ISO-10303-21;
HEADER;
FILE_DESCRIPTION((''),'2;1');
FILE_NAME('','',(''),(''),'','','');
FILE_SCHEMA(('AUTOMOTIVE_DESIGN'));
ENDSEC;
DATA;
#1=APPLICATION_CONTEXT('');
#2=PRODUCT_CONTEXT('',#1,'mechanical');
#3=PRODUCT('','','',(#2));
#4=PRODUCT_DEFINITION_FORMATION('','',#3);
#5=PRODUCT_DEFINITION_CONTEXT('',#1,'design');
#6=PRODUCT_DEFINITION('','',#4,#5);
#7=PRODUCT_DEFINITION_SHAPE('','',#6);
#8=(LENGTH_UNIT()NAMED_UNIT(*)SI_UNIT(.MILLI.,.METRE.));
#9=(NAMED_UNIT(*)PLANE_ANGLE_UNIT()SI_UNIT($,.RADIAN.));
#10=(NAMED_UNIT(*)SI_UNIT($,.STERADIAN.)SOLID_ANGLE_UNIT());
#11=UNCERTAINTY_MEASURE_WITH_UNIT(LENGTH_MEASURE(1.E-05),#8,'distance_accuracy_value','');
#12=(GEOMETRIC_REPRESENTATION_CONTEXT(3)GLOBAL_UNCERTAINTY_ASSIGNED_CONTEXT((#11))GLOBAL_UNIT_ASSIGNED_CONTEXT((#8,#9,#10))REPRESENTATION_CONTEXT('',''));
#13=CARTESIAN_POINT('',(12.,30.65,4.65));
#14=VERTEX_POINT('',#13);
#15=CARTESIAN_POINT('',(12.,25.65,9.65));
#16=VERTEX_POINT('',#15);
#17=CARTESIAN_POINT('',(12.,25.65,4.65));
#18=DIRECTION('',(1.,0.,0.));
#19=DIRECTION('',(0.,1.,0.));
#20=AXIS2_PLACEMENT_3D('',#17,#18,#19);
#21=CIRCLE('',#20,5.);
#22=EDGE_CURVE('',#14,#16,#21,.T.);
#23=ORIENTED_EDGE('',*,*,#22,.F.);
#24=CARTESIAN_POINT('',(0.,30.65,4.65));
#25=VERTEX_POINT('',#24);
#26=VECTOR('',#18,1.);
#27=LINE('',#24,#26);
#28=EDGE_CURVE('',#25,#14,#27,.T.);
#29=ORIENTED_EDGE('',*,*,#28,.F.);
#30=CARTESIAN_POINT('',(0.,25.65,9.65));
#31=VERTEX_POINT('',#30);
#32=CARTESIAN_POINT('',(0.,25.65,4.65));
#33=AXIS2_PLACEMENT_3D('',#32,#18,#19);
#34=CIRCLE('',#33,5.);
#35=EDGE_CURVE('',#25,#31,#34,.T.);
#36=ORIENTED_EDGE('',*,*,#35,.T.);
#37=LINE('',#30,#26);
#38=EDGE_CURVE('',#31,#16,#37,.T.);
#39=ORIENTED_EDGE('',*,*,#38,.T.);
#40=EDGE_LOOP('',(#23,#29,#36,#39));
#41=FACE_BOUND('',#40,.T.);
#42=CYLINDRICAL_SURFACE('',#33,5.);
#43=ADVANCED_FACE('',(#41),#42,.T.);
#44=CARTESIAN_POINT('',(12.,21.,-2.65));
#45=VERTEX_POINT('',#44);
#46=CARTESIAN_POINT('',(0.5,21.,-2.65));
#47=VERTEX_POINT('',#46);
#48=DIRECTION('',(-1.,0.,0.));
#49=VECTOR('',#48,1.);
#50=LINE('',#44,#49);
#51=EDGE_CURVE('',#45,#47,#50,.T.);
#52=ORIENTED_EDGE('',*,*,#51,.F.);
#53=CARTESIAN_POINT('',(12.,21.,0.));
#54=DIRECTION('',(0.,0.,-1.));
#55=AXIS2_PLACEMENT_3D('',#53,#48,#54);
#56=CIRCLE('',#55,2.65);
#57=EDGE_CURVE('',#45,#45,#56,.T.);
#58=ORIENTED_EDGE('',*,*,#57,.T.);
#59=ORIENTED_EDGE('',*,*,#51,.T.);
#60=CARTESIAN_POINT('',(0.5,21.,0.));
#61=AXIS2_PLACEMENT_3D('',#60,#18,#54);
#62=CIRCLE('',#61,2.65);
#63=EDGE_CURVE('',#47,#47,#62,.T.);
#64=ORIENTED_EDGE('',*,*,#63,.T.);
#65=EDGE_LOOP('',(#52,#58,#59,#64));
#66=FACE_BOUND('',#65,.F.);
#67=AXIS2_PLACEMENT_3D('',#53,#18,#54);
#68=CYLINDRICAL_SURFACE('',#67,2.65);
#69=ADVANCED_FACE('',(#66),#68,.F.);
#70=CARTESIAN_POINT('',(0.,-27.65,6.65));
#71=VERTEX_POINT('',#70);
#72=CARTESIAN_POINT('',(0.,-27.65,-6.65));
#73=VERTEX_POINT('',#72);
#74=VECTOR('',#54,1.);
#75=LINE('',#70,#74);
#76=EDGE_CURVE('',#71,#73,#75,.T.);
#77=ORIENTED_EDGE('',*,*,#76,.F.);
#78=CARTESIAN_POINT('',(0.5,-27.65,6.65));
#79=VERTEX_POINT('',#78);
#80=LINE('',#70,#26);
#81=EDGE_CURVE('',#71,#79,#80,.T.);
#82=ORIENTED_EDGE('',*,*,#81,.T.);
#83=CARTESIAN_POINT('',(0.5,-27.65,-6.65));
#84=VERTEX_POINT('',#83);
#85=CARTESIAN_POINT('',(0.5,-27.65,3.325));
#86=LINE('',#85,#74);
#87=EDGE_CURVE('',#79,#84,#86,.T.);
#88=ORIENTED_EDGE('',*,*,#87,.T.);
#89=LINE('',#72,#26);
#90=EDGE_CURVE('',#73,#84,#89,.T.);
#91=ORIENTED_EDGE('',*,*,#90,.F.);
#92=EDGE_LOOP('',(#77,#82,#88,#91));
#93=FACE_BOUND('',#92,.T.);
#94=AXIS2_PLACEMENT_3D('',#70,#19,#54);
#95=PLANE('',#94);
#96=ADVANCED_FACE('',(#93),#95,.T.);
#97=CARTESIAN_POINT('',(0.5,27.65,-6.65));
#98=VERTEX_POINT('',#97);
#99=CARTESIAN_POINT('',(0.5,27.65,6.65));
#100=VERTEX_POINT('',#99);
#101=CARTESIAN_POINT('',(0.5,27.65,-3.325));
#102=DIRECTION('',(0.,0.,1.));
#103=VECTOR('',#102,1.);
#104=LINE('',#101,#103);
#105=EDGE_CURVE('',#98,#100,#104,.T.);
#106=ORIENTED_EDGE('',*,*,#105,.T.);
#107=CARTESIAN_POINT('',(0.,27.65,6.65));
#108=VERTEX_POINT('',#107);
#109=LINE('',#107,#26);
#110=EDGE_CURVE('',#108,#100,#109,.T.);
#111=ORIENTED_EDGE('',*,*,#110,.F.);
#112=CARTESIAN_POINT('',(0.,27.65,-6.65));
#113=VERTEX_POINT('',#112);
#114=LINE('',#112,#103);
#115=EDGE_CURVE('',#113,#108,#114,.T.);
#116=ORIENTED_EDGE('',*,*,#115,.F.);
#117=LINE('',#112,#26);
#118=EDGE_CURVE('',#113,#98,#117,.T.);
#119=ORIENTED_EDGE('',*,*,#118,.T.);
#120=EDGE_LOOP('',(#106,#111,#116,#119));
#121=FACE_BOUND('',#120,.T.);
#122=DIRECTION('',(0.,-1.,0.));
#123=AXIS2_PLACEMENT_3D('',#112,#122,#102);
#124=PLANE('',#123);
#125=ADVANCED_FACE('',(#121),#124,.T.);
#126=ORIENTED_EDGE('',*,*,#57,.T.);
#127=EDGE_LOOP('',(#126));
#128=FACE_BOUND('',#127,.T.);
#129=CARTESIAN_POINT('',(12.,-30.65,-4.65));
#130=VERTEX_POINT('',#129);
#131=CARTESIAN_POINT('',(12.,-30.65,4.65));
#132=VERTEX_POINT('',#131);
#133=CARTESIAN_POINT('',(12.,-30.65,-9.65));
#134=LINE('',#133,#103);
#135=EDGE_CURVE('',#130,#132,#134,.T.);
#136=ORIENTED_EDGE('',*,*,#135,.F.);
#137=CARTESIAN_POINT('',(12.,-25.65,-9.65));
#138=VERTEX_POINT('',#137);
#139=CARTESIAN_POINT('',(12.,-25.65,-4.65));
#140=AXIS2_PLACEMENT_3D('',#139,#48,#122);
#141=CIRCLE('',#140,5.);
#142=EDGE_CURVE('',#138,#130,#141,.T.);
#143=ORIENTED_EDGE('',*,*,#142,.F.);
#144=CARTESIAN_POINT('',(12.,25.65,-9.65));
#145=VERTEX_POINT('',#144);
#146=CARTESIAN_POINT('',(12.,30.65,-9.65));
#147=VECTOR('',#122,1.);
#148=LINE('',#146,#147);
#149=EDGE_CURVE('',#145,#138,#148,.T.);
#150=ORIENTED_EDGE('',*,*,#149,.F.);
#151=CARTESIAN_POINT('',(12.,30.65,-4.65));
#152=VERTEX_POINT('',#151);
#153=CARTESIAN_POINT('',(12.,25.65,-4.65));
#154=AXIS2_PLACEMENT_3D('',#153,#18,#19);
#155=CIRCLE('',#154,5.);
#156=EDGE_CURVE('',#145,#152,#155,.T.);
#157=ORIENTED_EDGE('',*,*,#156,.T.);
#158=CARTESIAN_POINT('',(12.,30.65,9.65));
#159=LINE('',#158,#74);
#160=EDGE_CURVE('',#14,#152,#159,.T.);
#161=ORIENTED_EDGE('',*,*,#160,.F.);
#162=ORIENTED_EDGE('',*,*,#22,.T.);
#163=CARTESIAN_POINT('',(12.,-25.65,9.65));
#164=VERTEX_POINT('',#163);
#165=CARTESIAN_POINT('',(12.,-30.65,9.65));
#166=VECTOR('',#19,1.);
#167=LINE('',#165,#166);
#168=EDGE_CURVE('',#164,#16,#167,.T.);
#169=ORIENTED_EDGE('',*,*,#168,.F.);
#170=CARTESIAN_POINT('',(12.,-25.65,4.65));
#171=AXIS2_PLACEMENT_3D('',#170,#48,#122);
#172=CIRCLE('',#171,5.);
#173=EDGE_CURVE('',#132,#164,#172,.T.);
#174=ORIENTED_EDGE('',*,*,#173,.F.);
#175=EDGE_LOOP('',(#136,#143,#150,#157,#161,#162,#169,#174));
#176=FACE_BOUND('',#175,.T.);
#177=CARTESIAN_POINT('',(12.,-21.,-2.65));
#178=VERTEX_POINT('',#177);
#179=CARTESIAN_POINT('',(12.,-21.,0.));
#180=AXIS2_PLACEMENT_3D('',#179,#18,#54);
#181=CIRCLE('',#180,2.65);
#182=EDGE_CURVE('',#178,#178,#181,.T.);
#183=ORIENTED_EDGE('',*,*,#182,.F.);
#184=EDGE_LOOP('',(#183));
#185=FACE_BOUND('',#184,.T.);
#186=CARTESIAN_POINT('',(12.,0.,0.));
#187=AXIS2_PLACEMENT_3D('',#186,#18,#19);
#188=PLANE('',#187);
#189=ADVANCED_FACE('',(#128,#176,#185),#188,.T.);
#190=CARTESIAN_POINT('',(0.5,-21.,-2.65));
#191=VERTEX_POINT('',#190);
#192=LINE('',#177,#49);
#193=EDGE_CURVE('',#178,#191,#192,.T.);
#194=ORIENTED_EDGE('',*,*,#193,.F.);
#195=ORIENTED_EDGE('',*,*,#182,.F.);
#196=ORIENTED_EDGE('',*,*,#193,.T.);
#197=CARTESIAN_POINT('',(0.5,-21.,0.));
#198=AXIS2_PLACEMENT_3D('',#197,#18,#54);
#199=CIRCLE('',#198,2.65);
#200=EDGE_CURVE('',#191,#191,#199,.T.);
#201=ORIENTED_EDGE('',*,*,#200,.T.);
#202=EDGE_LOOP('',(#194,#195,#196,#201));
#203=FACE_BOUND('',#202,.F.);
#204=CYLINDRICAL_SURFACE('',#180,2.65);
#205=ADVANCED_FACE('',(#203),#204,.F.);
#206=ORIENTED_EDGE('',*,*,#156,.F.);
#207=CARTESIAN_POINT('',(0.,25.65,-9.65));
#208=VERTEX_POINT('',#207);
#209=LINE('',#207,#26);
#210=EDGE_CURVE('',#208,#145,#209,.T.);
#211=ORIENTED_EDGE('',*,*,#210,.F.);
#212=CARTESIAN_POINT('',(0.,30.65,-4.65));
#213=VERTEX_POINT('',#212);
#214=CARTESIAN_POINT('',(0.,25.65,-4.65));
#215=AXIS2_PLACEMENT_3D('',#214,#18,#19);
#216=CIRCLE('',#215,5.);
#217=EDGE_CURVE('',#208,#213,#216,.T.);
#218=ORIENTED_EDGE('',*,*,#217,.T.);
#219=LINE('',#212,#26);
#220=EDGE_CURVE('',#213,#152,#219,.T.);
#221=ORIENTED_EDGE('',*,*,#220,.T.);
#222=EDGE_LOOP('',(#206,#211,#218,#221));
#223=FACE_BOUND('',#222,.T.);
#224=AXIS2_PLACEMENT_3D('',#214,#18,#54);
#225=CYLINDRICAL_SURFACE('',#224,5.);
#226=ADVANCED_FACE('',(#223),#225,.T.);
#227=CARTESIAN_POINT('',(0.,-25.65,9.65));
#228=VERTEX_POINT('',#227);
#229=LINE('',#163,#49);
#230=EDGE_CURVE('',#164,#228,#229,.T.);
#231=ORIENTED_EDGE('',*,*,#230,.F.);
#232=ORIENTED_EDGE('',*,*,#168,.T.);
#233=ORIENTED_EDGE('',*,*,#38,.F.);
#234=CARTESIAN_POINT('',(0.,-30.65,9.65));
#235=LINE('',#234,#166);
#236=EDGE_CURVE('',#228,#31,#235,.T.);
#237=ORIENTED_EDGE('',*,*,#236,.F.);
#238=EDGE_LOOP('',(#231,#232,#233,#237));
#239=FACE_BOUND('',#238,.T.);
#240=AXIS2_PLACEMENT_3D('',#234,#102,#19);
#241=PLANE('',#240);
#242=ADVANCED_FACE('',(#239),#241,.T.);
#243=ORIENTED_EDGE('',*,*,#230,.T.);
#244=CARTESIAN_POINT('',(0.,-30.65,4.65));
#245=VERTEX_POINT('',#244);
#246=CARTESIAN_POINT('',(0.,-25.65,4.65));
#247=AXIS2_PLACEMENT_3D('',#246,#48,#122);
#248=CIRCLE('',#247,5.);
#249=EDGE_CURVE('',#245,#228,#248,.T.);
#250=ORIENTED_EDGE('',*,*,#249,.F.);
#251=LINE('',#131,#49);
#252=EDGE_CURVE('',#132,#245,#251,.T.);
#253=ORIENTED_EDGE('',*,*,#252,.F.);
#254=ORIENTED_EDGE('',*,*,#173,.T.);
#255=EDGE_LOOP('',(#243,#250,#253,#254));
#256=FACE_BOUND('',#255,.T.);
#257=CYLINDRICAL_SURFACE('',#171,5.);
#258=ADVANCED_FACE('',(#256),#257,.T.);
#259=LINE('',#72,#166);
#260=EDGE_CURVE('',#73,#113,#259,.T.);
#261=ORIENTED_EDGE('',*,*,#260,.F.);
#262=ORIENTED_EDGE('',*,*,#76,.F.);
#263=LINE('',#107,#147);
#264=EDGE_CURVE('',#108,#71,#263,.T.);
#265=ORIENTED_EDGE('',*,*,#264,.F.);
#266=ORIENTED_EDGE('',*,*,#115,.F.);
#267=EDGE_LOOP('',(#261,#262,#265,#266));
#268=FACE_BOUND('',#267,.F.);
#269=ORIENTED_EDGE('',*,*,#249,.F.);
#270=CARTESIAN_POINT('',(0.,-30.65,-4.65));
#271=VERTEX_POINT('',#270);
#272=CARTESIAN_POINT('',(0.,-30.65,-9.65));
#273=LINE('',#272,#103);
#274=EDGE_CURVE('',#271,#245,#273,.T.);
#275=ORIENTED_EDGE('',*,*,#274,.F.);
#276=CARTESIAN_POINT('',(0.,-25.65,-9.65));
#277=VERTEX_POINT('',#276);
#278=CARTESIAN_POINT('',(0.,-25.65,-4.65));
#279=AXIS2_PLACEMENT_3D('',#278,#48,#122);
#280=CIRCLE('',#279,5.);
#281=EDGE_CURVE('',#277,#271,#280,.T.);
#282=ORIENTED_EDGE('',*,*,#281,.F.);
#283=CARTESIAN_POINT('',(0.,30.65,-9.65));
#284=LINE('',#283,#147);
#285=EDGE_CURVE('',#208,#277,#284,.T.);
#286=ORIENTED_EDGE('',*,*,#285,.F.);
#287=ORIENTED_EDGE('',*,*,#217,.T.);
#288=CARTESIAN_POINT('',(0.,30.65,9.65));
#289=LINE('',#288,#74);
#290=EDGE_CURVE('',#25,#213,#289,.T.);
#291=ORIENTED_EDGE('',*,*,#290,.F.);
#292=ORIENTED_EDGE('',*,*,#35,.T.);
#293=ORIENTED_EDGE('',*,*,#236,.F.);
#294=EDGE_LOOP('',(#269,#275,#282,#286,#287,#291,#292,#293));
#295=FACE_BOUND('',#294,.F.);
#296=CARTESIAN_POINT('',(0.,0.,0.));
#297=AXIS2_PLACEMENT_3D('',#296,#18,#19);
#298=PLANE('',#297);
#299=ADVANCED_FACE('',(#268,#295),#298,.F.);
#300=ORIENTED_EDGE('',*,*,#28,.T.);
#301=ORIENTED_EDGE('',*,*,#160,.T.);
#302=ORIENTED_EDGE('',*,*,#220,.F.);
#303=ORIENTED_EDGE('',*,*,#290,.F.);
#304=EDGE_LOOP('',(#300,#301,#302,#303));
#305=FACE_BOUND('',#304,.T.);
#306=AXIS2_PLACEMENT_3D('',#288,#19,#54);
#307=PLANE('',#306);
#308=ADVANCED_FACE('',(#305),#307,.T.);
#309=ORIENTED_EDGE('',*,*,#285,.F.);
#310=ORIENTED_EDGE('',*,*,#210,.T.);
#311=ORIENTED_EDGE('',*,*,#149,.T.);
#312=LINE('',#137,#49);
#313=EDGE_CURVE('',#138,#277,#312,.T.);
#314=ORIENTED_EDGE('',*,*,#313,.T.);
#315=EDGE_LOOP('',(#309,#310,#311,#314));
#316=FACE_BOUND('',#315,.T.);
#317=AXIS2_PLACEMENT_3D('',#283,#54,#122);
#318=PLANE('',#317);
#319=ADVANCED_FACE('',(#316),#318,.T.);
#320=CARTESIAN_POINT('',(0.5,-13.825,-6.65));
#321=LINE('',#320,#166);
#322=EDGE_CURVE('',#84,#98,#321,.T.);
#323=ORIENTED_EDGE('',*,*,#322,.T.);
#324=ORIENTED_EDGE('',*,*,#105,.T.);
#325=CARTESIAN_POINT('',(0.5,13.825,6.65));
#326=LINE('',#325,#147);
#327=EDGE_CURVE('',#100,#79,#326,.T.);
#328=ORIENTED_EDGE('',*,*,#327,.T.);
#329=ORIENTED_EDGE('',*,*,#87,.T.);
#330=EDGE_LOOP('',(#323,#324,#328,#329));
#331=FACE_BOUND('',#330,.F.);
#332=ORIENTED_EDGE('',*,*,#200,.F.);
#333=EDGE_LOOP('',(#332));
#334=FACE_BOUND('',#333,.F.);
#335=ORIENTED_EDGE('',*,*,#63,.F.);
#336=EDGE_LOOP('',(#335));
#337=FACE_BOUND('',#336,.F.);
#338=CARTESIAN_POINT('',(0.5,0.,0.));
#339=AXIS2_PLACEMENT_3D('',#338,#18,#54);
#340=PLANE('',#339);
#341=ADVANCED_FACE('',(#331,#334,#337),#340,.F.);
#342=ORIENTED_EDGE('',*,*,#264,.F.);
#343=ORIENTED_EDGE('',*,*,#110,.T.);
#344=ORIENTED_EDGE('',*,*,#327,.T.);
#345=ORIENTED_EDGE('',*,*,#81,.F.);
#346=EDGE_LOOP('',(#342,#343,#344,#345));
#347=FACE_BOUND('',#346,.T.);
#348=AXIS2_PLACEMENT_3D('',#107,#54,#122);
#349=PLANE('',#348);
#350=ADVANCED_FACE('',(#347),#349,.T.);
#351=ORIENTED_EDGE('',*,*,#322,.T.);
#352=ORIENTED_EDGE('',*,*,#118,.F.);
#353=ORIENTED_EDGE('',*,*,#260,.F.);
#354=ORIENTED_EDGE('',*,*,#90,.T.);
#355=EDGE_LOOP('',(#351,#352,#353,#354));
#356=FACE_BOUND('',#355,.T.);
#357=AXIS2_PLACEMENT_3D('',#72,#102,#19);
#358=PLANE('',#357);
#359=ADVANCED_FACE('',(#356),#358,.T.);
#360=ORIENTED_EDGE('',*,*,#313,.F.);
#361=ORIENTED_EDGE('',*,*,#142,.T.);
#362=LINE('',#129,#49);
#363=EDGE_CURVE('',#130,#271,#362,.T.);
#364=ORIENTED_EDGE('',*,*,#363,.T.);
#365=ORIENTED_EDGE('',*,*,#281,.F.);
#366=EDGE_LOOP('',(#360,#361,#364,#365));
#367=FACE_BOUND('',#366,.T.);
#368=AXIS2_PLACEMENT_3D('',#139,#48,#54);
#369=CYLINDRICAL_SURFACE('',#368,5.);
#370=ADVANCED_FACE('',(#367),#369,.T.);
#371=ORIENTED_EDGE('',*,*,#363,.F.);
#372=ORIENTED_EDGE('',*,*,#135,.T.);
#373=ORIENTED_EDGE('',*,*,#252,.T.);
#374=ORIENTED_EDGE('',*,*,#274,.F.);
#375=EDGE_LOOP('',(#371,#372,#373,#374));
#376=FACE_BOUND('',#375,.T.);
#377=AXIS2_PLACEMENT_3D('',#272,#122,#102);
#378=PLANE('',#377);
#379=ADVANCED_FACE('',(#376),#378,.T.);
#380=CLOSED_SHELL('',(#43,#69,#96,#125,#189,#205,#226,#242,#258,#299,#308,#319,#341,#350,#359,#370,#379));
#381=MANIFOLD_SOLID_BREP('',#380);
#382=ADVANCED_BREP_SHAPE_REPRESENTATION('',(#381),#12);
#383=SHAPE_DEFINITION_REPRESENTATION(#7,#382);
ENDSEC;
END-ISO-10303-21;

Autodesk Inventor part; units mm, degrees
ref_plane "YZ Plane" through (0, 0, 0) normal (1, 0, 0) x (0, 1, 0)
ref_plane "XZ Plane" through (0, 0, 0) normal (0, 1, 0) x (-1, 0, 0)
ref_plane "XY Plane" through (0, 0, 0) normal (0, 0, 1) x (1, 0, 0)
sketch "Sketch1" plane through (0, 0, 0) normal (1, 0, 0) x (0, 1, 0)
  line L0 (27.65, 6.65) -> (-27.65, 6.65)
  line L1 (-27.65, 6.65) -> (-27.65, -6.65)
  line L2 (-27.65, -6.65) -> (27.65, -6.65)
  line L3 (27.65, -6.65) -> (27.65, 6.65)
  line L4 (27.65, 6.65) -> (-27.65, -6.65) construction
  line L5 (-27.65, 6.65) -> (27.65, -6.65) construction
  line L6 (30.65, -9.65) -> (-30.65, -9.65)
  line L7 (-30.65, -9.65) -> (-30.65, 9.65)
  line L8 (-30.65, 9.65) -> (30.65, 9.65)
  line L9 (30.65, 9.65) -> (30.65, -9.65)
  point P0 (0, 0)
  dimension "d0" = 55.3
  dimension "d1" = 13.3
  dimension "d2" = 3
extrude "Extrusion1" add sketch "Sketch1" along normal blind 12
sketch "Sketch2" plane through (12, 0, 0) normal (1, 0, 0) x (0, 0, -1)
  line L0 (-9.65, 30.65) -> (-9.65, -30.65) projected
  line L1 (-9.65, -30.65) -> (9.65, -30.65) projected
  line L2 (9.65, -30.65) -> (9.65, 30.65) projected
  line L3 (9.65, 30.65) -> (-9.65, 30.65) projected
  line L4 (-6.65, 27.65) -> (6.65, 27.65) projected
  line L5 (6.65, 27.65) -> (6.65, -27.65) projected
  line L6 (6.65, -27.65) -> (-6.65, -27.65) projected
  line L7 (-6.65, -27.65) -> (-6.65, 27.65) projected
  point P0 (0, 0)
extrude "Extrusion2" add sketch "Sketch2" against normal blind 11.5 contours L3 L2 L1 L0 | L4 L5 L6 L7
sketch "Sketch3" plane through (12, 0, 0) normal (1, 0, 0) x (0, 0, -1)
  line L0 (0, 0) -> (0, 21)
  line L1 (0, 0) -> (5, 0)
  circle A0 centre (0, 21) radius 2.65
  circle A1 centre (0, -21) radius 2.65
  dimension "d7" = 21
  dimension "d8" = 5
  dimension "d9" = 5.3
extrude "Extrusion3" cut sketch "Sketch3" against normal blind 13
fillet "Fillet1" radius 5 4 edges at (6, 30.65, 9.65) (6, 30.65, -9.65) (6, -30.65, -9.65) (6, -30.65, 9.65)
properties part number "TOPE_CHUMACERA"
